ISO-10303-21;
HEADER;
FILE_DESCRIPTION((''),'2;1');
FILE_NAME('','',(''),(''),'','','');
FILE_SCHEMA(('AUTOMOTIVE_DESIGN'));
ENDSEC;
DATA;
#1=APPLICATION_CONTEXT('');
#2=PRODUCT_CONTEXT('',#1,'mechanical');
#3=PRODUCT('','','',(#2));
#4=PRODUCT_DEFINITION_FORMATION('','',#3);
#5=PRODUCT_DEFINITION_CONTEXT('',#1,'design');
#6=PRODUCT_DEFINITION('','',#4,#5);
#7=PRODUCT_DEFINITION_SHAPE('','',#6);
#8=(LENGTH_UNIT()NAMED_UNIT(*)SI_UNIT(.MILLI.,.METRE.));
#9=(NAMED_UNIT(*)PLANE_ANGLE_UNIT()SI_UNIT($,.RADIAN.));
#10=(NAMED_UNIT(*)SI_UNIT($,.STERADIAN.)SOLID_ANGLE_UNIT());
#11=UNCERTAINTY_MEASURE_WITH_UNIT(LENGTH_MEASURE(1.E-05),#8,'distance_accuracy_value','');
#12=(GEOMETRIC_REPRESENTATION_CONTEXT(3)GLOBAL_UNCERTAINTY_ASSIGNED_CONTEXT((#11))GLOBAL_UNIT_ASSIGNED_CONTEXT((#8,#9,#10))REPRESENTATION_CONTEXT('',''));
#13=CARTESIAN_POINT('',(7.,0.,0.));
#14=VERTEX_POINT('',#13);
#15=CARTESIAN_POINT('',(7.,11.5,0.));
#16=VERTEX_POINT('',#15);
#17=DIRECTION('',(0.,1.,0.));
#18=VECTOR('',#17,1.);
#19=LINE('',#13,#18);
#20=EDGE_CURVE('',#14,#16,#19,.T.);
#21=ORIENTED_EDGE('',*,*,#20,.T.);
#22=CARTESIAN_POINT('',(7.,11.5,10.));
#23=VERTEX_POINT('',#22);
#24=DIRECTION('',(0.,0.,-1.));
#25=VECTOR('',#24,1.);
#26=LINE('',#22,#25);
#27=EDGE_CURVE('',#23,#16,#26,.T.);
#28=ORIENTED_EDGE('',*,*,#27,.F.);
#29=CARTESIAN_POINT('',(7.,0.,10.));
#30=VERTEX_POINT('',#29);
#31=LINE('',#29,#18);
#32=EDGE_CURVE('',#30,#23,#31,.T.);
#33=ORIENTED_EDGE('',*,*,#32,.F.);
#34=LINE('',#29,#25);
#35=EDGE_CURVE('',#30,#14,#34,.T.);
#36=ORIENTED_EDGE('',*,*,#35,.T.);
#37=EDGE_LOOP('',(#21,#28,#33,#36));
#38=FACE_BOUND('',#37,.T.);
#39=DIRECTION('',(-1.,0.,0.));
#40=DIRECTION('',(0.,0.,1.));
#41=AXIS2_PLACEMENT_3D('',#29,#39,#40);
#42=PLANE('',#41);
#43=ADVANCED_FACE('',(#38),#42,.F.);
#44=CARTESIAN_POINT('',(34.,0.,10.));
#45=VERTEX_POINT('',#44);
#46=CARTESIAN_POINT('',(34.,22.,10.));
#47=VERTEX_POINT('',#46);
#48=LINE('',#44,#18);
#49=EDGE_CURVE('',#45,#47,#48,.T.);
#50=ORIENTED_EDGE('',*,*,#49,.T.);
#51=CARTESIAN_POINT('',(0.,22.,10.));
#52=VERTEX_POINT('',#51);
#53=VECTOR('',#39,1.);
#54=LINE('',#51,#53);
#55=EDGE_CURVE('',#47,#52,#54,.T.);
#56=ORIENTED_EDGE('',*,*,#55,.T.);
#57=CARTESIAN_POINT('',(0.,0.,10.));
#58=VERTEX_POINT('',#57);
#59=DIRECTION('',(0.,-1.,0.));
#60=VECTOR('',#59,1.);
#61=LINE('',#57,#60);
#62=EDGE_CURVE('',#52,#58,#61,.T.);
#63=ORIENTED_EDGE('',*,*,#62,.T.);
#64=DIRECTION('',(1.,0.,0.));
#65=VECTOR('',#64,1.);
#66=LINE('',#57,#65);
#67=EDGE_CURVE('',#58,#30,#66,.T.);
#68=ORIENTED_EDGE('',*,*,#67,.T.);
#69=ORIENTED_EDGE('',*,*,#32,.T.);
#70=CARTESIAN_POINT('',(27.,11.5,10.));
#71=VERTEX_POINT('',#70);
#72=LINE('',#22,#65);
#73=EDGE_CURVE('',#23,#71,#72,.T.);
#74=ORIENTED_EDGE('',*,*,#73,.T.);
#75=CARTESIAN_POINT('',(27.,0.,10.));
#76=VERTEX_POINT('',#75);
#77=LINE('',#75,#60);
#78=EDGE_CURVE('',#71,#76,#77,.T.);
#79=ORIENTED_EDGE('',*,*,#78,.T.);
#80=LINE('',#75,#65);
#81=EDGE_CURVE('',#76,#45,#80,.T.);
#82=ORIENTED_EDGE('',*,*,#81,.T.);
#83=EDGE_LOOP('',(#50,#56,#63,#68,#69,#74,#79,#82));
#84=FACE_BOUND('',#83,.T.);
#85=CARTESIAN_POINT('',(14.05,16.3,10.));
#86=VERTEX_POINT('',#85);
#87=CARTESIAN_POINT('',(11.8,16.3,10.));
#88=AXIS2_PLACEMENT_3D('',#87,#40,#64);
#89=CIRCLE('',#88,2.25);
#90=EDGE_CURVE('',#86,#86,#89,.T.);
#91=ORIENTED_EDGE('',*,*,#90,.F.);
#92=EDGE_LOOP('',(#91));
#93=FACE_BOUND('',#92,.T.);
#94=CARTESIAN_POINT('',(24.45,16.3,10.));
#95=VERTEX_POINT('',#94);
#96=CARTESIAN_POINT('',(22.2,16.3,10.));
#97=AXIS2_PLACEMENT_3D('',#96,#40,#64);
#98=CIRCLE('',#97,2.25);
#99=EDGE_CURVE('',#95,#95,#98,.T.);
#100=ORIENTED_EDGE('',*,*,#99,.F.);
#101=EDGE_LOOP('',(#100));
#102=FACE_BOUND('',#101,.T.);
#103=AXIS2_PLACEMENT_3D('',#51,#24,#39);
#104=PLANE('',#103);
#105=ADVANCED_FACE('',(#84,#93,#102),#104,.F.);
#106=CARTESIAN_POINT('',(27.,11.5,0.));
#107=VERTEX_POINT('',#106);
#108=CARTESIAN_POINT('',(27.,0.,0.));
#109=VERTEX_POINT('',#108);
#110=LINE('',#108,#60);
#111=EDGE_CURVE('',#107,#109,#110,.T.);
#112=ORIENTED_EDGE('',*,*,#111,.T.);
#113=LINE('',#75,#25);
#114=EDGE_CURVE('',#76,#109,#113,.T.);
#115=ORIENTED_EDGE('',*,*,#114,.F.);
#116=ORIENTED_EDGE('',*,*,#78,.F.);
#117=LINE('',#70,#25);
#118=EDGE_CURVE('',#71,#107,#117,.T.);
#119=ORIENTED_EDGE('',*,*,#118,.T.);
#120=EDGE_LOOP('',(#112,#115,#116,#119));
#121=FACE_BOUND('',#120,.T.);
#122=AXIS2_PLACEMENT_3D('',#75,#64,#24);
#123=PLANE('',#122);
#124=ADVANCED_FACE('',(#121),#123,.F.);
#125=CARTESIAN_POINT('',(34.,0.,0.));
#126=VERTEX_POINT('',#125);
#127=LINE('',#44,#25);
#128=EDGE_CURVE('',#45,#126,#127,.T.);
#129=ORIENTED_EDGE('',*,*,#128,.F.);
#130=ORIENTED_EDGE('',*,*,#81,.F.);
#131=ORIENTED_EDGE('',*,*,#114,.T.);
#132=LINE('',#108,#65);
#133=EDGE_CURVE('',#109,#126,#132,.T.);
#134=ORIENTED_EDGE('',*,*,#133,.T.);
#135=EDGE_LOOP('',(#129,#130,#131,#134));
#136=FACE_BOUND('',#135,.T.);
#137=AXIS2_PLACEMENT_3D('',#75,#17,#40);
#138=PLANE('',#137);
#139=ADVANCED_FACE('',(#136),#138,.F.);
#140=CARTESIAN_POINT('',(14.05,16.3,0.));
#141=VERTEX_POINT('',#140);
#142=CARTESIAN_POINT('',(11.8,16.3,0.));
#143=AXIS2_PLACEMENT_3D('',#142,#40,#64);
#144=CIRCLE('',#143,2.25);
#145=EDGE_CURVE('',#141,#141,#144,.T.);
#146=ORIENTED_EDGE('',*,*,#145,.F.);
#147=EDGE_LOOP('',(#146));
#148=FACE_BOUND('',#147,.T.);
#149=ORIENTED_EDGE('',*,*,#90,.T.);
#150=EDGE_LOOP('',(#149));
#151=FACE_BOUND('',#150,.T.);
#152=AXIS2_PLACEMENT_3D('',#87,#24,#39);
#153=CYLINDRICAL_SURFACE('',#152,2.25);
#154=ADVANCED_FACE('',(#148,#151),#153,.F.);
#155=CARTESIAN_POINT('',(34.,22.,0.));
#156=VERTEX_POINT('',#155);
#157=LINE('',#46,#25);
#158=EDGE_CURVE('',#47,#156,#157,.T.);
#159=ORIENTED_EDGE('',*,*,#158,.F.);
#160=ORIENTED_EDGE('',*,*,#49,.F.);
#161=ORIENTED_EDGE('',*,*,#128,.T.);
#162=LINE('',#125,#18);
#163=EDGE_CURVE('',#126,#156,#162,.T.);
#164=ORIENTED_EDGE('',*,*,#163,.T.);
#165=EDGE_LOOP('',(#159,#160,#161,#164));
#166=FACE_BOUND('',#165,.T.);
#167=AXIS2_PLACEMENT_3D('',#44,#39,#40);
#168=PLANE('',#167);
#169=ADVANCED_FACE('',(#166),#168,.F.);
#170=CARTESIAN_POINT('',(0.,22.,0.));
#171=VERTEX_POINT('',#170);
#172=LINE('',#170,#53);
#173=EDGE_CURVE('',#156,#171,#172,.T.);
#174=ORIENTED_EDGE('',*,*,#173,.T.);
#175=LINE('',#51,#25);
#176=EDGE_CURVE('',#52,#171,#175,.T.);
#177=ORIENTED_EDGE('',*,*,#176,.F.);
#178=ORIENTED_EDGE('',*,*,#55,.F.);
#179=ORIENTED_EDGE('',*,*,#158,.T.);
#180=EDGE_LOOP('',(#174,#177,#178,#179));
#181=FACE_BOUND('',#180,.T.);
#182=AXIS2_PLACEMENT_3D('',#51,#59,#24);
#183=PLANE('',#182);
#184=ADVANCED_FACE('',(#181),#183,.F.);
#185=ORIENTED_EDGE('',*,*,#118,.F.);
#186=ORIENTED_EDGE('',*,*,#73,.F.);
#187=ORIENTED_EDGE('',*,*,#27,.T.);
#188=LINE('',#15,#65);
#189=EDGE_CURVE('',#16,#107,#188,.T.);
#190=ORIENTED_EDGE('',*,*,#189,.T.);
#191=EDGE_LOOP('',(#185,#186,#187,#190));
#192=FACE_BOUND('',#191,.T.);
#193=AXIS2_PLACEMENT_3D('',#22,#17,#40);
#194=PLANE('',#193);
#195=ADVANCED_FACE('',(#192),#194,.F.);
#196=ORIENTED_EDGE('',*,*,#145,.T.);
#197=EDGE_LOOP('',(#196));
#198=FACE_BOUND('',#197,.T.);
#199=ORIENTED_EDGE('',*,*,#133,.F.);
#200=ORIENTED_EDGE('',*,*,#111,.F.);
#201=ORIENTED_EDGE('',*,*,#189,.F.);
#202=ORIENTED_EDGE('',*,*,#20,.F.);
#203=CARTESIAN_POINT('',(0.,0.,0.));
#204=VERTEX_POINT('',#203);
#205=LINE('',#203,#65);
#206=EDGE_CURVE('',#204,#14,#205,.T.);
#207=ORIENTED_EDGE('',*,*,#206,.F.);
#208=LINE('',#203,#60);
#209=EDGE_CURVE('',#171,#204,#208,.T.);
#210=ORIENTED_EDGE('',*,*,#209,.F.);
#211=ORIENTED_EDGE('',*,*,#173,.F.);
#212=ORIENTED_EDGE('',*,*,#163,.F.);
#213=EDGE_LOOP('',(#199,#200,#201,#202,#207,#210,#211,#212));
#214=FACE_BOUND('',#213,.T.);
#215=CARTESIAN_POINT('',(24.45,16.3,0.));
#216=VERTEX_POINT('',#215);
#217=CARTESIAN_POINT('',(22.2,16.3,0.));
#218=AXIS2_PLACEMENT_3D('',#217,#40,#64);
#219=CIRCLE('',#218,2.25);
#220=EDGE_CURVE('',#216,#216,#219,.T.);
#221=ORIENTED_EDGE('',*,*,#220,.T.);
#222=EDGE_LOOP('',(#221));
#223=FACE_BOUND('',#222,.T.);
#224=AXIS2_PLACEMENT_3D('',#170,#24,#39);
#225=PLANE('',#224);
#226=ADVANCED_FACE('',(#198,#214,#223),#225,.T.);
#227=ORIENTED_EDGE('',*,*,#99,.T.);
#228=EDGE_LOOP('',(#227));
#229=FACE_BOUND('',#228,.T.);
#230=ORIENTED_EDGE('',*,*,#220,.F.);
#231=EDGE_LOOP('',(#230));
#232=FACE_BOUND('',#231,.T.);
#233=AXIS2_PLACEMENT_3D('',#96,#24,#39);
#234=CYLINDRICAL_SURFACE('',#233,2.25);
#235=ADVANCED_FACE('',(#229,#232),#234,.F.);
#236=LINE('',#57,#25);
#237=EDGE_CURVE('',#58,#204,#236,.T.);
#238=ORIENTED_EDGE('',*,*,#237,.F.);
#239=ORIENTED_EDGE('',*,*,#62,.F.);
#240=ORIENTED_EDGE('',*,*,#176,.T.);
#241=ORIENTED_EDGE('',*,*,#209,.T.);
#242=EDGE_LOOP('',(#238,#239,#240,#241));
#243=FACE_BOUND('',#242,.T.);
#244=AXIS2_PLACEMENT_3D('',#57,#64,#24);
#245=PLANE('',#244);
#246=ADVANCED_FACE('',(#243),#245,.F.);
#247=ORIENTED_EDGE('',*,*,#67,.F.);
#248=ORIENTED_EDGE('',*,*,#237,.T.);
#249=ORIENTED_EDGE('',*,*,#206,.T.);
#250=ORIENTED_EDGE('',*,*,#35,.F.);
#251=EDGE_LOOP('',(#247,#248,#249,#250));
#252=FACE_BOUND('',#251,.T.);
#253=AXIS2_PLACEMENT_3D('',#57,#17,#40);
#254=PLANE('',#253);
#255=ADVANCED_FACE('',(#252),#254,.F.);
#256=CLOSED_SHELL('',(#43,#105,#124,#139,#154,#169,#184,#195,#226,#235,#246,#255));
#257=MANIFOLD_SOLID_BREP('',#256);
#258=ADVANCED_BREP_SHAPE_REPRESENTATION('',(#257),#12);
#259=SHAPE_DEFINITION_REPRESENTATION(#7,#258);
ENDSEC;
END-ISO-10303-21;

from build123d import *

# Parameters (mm, degrees)
SKETCH1_R           = 2.25
BOSS_EXTRUDE1_DEPTH = 10


with BuildPart() as part:
    # Sketch1 → Boss-Extrude1 (new body)
    with BuildSketch(Plane.XY):
        Polygon((27, 0), (34, 0), (34, 22), (0, 22), (0, 0), (7, 0), (7, 11.5), (27, 11.5), align=None)
        with Locations((22.2, 16.3)):
            Circle(SKETCH1_R, mode=Mode.SUBTRACT)
        with Locations((11.8, 16.3)):
            Circle(SKETCH1_R, mode=Mode.SUBTRACT)
    extrude(amount=BOSS_EXTRUDE1_DEPTH)


solid = part.part
